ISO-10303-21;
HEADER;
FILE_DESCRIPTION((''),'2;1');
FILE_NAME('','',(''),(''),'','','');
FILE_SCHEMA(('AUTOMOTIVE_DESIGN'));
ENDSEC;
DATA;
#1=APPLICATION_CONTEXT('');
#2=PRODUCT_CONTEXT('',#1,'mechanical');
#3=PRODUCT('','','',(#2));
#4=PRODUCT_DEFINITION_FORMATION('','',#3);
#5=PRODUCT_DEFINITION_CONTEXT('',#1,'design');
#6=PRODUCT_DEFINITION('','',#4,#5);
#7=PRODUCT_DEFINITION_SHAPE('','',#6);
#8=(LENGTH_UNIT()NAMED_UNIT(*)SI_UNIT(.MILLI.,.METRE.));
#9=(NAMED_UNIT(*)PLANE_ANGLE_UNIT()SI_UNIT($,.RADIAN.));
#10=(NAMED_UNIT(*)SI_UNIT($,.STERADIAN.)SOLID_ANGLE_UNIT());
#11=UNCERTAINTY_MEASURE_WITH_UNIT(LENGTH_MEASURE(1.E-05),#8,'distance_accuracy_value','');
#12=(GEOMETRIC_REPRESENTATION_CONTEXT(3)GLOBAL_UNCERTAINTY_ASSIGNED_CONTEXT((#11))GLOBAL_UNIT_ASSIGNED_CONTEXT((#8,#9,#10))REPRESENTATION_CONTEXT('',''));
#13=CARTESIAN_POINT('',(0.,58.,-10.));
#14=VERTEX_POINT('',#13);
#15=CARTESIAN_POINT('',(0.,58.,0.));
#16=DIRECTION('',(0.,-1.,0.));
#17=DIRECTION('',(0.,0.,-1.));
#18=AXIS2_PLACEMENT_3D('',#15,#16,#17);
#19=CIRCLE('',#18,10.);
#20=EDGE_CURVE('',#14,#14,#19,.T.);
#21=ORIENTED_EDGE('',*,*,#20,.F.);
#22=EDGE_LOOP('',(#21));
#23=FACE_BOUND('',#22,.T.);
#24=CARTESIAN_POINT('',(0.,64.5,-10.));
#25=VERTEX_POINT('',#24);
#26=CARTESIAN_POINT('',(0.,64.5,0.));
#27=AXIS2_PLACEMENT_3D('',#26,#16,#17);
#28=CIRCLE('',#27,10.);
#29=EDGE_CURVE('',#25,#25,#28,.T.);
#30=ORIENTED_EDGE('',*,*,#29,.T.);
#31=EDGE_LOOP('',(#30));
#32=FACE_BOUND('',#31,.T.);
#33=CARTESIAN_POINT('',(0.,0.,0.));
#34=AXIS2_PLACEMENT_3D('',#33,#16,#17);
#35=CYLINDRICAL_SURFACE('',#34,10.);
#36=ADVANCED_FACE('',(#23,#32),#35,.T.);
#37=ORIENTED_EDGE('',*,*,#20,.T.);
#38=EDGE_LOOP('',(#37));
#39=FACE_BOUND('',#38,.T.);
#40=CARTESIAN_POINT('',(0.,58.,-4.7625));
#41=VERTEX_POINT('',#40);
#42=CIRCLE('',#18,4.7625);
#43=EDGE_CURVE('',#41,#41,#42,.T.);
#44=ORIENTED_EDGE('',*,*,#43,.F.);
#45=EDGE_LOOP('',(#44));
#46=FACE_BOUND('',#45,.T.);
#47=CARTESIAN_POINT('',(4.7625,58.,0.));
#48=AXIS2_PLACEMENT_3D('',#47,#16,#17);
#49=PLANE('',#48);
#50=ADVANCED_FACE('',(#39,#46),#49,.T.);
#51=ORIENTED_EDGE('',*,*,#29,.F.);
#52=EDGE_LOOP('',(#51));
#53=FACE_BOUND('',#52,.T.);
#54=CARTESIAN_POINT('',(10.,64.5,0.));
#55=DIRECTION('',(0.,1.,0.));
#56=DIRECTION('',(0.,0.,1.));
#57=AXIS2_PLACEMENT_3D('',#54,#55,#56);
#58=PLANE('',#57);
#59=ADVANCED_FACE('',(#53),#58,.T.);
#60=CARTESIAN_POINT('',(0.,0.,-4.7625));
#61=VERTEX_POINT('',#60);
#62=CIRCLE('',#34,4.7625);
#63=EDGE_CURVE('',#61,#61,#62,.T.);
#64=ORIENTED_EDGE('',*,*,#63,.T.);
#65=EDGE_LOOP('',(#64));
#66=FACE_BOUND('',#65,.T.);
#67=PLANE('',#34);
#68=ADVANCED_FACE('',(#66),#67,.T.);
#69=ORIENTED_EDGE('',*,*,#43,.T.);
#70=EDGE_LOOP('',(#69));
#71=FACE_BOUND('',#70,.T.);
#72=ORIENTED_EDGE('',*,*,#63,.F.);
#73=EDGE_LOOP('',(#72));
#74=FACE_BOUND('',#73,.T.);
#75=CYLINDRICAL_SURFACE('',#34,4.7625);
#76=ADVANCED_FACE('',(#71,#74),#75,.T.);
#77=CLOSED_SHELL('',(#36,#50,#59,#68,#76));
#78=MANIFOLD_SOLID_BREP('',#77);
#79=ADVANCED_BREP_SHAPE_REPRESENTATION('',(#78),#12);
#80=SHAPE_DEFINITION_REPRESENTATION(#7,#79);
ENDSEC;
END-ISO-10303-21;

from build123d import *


with BuildPart() as part:
    # Sketch1 → Revolve1 (revolve)
    with BuildSketch(Plane.XY, mode=Mode.PRIVATE) as revolve1_sk:
        Polygon((0, 0), (4.7625, 0), (4.7625, 58), (10, 58), (10, 64.5), (0, 64.5), align=None)
    revolve(revolve1_sk.sketch.rotate(Axis((0, 0, 0), (0, 1, 0)), 90), axis=Axis((0, 0, 0), (0, 1, 0)))


solid = part.part
